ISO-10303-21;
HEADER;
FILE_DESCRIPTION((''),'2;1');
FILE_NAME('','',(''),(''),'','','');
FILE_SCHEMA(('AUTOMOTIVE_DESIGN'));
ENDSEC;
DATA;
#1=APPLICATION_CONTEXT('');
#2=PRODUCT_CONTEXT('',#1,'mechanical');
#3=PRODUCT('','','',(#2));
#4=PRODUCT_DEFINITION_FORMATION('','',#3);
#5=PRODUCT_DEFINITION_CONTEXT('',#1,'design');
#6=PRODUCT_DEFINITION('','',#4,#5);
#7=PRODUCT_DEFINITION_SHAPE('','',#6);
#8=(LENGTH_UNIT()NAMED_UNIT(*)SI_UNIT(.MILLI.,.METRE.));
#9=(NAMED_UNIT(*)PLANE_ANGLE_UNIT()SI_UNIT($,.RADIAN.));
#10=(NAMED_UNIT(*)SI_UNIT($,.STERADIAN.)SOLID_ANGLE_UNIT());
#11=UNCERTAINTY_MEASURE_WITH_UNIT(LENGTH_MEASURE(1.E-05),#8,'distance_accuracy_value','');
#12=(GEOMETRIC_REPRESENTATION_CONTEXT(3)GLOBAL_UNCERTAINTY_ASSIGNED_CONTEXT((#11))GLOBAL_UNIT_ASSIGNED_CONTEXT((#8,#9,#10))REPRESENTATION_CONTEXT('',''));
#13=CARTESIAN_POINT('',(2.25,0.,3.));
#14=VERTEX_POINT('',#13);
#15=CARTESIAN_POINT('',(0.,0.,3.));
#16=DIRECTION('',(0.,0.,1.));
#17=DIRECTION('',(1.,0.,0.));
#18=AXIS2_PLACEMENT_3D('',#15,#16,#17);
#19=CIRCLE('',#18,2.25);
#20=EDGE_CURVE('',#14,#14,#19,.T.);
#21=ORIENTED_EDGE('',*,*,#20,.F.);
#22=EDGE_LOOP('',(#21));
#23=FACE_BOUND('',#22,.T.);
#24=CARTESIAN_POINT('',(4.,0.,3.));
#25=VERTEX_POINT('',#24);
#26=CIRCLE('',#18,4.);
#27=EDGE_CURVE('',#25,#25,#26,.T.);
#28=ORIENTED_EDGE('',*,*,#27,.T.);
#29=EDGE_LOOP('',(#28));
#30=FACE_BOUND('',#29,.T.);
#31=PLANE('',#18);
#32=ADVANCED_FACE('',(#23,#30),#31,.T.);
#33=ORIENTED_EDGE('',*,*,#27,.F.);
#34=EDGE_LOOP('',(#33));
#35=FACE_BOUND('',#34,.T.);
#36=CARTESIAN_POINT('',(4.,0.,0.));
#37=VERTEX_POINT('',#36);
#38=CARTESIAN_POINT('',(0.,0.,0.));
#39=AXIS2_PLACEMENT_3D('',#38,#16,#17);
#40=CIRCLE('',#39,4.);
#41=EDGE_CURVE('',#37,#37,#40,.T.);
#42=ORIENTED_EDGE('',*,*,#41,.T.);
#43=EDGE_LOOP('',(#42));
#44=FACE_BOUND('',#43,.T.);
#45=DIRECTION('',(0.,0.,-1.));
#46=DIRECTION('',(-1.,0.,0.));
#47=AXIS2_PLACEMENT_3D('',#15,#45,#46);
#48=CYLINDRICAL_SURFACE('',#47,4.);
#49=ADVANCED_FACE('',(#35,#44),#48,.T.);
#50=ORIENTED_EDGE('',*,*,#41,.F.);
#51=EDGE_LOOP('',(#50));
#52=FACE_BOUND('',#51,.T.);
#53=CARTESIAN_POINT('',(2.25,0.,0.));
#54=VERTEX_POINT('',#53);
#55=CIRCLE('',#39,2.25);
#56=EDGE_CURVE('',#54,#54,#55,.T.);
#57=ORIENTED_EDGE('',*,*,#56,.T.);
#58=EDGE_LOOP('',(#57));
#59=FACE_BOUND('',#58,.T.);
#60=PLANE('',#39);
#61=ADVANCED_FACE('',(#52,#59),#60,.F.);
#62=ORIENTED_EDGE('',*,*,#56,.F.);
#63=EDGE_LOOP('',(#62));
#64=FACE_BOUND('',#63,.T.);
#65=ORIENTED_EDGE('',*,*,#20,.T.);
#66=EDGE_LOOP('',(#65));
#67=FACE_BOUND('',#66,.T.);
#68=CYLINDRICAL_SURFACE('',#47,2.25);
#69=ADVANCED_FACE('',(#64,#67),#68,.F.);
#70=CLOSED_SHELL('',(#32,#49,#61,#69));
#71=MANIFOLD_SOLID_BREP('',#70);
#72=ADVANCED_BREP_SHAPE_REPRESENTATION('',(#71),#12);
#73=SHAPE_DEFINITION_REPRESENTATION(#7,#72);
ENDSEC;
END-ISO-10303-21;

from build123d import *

# Parameters (mm, degrees)
ESBO_O1_R                = 4
ESBO_O1_R_2              = 2.25
RESSALTO_EXTRUS_O1_DEPTH = 3


with BuildPart() as part:
    # Esboço1 → Ressalto-extrusão1 (new body)
    with BuildSketch(Plane.XY):
        Circle(ESBO_O1_R)
        Circle(ESBO_O1_R_2, mode=Mode.SUBTRACT)
    extrude(amount=RESSALTO_EXTRUS_O1_DEPTH)


solid = part.part
